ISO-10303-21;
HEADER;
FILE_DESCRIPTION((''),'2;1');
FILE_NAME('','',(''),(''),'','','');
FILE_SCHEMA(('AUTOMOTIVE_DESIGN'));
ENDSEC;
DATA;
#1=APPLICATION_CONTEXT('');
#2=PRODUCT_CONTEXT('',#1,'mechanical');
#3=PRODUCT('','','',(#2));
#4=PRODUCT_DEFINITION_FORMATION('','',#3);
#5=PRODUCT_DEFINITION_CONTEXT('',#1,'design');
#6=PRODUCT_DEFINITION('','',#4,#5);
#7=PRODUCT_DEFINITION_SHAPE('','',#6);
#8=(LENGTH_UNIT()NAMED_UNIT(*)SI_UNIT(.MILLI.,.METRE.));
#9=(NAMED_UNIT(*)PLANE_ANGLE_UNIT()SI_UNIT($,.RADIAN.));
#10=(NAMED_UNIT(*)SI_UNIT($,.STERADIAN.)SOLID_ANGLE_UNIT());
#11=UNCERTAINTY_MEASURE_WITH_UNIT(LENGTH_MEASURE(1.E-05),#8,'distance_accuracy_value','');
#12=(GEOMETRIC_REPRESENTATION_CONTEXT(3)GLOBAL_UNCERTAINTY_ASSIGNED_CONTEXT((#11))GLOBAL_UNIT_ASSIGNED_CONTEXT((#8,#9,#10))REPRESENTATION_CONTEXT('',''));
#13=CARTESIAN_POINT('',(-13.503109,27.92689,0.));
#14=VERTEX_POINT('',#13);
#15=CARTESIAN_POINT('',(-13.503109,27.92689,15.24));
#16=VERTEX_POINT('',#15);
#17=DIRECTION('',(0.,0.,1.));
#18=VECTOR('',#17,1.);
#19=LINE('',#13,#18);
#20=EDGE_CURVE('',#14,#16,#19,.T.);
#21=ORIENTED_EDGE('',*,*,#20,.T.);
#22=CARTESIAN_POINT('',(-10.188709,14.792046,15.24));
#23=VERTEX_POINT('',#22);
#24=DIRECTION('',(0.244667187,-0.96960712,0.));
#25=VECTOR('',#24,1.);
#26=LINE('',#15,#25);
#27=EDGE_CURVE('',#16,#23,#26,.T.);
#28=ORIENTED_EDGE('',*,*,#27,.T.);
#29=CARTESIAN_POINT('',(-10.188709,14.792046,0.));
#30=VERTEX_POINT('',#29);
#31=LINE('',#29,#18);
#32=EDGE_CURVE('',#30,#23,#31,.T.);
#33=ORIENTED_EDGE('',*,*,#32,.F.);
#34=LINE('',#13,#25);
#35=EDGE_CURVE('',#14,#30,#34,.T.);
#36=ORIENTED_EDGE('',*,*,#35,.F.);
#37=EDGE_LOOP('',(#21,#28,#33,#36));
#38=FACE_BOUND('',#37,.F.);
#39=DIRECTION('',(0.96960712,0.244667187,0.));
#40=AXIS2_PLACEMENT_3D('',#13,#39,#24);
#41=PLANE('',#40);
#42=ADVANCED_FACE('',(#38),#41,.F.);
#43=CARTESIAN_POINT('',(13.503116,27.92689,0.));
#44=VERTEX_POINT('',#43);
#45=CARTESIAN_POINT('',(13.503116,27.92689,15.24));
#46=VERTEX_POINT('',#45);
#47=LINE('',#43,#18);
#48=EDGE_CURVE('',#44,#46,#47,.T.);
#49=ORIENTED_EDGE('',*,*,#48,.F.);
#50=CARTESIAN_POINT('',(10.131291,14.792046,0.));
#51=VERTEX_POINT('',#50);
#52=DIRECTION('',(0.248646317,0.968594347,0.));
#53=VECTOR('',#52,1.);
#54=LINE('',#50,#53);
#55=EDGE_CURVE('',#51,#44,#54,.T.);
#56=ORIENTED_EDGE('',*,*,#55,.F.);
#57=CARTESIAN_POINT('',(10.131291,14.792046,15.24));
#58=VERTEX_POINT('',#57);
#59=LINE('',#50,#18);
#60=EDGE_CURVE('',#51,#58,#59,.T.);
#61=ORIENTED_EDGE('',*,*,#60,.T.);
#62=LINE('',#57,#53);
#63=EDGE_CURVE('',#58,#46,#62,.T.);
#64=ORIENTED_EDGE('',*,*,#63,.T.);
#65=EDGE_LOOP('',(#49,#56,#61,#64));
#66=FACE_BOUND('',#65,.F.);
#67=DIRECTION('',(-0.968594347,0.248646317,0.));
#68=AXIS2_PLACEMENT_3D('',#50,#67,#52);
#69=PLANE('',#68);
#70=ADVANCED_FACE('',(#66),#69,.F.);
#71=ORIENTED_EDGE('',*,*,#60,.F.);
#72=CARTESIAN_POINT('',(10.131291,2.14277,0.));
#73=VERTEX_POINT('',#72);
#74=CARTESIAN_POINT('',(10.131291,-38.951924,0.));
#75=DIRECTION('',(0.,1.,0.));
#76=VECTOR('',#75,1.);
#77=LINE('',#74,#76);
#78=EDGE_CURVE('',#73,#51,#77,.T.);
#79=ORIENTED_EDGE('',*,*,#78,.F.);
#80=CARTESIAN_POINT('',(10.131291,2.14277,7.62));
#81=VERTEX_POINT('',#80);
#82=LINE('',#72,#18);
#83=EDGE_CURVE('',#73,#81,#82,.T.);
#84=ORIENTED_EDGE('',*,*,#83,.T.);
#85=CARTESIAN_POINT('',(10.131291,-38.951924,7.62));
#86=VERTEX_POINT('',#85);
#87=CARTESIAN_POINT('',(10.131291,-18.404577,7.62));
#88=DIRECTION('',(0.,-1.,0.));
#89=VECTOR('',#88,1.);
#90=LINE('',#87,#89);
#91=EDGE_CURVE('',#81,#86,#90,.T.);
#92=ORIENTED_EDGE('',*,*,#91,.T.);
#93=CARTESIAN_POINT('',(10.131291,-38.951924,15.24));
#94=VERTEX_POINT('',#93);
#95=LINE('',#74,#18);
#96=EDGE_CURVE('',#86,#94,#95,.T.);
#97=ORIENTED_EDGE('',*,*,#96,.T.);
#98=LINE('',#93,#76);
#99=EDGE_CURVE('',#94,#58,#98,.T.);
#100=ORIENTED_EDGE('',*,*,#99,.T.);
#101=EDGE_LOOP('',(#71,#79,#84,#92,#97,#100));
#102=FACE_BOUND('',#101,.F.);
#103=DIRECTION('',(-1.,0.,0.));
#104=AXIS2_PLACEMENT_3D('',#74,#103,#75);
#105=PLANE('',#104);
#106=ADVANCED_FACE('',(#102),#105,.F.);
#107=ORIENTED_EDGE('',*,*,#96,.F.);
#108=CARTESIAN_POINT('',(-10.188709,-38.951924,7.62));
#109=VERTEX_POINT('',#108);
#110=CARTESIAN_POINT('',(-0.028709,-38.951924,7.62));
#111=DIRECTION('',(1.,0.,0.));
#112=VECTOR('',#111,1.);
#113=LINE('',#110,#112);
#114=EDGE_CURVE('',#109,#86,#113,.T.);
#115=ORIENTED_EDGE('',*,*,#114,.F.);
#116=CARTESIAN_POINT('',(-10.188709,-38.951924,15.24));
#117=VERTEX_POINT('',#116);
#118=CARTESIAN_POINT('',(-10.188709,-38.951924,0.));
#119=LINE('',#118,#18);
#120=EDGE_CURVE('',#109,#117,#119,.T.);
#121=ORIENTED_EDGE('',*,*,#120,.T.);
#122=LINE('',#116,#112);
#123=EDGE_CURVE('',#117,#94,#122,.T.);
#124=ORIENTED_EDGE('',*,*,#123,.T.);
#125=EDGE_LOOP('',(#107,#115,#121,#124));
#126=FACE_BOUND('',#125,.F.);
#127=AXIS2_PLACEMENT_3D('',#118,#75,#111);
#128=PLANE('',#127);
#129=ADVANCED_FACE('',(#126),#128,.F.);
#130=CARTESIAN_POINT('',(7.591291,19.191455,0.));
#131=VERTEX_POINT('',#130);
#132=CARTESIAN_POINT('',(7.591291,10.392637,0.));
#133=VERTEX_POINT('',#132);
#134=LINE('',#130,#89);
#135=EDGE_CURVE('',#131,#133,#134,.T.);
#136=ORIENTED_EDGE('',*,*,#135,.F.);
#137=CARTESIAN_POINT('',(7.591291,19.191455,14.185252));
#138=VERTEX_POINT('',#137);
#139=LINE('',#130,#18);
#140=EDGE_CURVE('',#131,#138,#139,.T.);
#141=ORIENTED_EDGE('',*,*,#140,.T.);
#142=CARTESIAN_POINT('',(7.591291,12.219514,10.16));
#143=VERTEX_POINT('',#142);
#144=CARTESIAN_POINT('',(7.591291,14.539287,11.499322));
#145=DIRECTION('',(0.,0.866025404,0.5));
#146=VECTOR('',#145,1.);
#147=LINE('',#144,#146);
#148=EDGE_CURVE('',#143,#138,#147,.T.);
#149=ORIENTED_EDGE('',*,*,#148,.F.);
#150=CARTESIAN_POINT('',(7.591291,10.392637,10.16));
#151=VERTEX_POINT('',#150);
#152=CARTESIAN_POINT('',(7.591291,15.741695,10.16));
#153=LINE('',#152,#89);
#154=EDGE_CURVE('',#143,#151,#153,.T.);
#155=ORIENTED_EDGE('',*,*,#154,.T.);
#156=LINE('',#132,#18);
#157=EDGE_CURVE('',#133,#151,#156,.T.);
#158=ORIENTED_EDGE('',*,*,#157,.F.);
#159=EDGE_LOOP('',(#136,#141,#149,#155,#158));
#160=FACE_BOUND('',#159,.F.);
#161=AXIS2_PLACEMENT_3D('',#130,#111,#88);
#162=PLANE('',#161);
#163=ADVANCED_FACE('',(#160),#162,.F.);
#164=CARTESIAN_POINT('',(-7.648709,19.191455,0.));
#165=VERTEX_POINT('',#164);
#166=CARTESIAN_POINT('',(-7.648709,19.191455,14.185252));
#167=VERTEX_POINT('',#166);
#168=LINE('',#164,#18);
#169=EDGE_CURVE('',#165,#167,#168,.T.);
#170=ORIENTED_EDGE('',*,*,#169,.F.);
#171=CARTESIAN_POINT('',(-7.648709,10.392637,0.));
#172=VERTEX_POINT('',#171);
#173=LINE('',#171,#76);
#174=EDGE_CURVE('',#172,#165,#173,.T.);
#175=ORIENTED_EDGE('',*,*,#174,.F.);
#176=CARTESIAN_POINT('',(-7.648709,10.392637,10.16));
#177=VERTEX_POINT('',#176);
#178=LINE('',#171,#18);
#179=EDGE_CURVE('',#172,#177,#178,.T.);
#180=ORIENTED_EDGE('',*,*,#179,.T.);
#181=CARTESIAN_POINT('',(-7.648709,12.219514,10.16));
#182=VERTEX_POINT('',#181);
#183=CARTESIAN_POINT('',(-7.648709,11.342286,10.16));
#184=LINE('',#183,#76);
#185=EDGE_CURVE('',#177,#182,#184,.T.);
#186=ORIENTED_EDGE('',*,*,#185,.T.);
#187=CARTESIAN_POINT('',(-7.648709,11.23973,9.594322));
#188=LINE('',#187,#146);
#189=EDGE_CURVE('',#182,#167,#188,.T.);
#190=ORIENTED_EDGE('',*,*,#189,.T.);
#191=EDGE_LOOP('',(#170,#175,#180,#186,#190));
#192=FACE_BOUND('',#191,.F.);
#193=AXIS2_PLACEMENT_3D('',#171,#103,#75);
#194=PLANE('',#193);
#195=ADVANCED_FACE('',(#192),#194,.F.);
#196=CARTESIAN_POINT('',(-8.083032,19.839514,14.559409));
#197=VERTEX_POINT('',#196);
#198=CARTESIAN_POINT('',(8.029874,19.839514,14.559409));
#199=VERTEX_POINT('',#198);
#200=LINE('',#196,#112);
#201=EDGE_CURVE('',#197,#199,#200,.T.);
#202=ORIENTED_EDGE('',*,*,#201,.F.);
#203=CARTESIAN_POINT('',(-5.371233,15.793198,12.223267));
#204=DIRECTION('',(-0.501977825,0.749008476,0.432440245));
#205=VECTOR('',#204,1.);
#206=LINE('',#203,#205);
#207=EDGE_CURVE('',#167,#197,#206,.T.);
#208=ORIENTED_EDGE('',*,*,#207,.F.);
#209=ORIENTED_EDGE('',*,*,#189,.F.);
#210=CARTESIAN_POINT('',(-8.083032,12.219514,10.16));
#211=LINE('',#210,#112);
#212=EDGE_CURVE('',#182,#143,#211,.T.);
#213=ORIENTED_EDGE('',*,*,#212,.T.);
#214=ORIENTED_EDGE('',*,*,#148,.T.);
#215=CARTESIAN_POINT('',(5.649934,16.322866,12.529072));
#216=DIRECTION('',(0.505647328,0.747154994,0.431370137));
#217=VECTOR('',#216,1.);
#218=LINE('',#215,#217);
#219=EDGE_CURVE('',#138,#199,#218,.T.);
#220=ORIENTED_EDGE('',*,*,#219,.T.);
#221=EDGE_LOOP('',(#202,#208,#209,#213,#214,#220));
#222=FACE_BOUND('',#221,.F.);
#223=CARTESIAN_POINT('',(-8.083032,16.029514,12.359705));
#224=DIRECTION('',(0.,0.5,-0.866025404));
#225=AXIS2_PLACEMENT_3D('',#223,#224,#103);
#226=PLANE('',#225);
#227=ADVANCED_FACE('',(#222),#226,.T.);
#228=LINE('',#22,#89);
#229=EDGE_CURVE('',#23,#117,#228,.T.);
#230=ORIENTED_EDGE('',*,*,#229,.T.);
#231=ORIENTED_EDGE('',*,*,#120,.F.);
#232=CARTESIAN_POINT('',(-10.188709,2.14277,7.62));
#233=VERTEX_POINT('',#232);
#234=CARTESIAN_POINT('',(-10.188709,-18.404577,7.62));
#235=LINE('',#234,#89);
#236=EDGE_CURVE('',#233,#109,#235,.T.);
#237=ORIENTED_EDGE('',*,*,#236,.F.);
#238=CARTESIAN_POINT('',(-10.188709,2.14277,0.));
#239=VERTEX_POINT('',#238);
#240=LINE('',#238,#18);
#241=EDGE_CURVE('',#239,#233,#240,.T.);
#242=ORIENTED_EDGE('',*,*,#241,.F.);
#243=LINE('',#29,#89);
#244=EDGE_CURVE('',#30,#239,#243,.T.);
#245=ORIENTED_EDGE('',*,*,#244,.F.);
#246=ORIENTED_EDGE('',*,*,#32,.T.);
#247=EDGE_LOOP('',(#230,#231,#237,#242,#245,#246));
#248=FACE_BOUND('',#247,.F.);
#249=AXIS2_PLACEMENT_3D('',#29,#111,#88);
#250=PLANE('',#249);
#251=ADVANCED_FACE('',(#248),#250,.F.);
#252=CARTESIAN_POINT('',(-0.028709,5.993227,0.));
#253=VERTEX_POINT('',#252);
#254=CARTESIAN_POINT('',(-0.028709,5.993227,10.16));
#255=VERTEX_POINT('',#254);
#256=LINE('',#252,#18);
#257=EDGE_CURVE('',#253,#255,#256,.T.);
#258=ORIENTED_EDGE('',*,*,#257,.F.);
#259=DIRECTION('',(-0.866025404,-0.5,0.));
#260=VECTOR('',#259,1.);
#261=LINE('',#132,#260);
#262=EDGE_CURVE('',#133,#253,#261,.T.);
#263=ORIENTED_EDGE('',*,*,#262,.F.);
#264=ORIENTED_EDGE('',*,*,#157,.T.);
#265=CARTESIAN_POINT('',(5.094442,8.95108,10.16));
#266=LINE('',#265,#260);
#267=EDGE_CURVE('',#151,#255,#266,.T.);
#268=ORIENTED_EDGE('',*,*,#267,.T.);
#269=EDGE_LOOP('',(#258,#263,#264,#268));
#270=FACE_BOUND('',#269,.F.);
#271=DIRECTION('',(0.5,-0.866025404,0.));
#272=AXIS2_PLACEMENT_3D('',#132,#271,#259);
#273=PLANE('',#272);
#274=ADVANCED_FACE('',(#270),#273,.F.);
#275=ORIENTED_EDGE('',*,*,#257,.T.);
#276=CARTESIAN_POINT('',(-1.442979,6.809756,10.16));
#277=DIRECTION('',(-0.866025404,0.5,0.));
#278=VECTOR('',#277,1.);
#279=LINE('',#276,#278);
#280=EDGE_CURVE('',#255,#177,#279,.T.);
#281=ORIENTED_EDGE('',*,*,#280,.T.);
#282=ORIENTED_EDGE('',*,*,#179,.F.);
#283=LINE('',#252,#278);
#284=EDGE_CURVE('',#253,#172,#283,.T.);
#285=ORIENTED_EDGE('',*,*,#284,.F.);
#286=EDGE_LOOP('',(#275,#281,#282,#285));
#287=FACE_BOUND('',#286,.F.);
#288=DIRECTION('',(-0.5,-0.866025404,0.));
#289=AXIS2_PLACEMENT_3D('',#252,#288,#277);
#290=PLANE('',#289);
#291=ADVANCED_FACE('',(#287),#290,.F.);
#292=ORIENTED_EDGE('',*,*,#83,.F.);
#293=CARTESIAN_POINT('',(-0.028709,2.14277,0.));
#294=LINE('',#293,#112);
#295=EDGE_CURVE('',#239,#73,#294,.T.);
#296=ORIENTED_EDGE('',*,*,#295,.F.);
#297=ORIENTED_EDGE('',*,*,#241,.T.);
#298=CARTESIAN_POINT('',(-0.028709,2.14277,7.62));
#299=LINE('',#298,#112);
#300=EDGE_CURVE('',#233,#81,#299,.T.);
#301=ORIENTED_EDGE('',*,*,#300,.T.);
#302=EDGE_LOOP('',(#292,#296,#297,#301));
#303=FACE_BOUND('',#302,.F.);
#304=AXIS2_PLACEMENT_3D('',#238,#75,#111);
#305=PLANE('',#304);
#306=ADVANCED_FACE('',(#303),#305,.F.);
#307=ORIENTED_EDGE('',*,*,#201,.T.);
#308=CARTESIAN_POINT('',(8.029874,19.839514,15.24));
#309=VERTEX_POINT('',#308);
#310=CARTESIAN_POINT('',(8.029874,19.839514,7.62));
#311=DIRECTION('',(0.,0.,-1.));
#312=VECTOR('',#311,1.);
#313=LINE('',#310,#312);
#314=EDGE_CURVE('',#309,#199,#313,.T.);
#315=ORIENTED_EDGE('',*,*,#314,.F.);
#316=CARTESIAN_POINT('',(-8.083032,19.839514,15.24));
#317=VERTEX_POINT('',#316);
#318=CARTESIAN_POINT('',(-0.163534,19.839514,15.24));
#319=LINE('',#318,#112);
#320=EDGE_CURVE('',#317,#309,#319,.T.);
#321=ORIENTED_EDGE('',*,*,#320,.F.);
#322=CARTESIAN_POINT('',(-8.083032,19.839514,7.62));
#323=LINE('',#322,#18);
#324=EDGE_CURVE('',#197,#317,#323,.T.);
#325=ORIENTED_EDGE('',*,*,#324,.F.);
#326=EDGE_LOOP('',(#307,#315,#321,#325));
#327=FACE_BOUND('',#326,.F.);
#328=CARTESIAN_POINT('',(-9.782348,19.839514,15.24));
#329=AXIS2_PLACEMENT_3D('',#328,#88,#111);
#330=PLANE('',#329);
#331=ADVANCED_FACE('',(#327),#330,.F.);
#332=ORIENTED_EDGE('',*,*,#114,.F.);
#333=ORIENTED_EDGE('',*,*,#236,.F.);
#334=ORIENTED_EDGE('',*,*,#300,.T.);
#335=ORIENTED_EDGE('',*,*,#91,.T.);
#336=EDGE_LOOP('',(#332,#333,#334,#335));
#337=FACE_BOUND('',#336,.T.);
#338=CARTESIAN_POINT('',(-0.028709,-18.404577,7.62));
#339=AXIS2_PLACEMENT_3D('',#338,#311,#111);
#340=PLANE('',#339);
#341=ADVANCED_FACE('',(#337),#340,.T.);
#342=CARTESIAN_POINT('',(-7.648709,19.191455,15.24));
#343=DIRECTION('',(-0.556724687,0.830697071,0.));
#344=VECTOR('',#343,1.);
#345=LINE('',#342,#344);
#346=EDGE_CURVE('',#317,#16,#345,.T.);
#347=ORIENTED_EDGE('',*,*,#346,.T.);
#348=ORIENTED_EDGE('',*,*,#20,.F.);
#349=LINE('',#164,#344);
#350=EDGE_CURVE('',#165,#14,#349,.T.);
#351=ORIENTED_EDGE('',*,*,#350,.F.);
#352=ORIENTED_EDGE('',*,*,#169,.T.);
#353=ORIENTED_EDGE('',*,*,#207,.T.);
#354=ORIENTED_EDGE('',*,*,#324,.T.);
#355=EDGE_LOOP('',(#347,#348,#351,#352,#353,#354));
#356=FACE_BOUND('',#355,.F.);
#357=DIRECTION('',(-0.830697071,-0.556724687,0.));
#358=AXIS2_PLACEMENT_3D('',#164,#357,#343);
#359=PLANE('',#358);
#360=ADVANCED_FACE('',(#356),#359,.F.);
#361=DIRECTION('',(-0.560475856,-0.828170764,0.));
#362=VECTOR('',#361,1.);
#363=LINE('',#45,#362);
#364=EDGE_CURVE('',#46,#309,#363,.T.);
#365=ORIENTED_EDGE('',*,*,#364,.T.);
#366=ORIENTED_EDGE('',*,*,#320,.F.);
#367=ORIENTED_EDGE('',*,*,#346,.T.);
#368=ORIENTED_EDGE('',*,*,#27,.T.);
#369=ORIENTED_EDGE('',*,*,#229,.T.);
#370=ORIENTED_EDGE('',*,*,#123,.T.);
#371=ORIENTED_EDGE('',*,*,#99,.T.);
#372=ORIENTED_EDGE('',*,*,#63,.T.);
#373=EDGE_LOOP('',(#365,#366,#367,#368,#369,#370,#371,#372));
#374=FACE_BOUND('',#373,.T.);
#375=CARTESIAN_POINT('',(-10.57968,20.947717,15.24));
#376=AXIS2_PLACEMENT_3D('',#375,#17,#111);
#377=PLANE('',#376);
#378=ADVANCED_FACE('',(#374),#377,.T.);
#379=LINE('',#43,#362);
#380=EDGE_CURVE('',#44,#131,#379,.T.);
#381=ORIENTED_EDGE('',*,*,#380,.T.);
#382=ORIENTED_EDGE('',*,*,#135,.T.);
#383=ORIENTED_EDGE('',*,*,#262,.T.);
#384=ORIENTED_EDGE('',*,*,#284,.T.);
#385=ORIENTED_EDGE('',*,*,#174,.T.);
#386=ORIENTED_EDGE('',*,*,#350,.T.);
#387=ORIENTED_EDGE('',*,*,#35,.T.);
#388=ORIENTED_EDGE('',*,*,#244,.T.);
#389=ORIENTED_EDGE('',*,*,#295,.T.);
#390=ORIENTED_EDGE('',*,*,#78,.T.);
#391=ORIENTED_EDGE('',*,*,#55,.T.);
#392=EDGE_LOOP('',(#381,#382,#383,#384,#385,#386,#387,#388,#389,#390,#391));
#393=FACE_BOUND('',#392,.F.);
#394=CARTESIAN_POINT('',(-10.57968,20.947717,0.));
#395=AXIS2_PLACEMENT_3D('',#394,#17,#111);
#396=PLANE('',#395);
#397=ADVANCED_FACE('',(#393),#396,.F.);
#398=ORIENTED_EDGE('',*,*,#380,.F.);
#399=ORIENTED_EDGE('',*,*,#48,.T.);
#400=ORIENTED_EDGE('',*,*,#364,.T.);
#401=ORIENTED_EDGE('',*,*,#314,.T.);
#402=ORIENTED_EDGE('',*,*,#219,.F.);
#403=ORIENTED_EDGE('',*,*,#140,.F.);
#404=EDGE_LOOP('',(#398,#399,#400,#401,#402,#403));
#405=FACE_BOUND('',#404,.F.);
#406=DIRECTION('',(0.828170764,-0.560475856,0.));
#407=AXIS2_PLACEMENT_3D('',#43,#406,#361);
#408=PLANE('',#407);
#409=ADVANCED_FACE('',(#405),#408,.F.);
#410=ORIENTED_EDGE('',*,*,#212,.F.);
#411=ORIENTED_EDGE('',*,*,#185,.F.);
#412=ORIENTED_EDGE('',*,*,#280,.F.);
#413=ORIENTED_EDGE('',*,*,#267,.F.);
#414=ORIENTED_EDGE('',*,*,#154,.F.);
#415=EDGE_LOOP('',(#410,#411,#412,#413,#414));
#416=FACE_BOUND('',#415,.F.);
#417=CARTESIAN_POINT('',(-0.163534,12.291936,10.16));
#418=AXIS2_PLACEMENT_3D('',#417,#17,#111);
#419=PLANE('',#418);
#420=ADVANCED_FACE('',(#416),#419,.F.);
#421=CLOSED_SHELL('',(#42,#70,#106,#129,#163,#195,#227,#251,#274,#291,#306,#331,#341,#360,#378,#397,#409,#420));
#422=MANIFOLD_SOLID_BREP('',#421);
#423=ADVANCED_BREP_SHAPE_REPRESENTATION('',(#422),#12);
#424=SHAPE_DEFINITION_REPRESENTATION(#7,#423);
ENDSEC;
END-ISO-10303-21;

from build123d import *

# Parameters (mm, degrees)
F1_DEPTH = 15.24
F2_W     = 19.2376272753
F2_H     = 15.0951566175
F3_DEPTH = 5.08
F4_SIZE2 = 4.3994090512
F4_SIZE  = 7.62
F5_W     = 20.32
F5_H     = 41.094693502
F6_DEPTH = 7.62


with BuildPart() as f1:
    # F0 (on Top) → F1 (new body)
    with BuildSketch(Plane.XY):
        Polygon((-13.5031091049, 27.9268901795), (-10.1887094788, 14.7920455784), (-7.6487094788, 14.7920455784), (-7.6487094788, 19.1914546296), align=None)
        Polygon((-7.6487094788, 14.7920455784), (-10.1887094788, 14.7920455784), (-10.1887094788, -38.9519235189), (10.1312905212, -38.9519235189), (10.1312905212, 14.7920455784), (7.5912905212, 14.7920455784), (7.5912905212, 10.3926365271), (-0.0287094788, 5.9932274759), (-7.6487094788, 10.3926365271), align=None)
        Polygon((7.5912905212, 14.7920455784), (10.1312905212, 14.7920455784), (13.5031156242, 27.9268901795), (7.5912905212, 19.1914546296), align=None)
    extrude(amount=F1_DEPTH)

    # F2 (on face) → F3 (join)
    with BuildSketch(Plane.XY.offset(15.24)):
        with Locations((-0.1635341905, 12.2919357382)):
            Rectangle(F2_W, F2_H)
    extrude(amount=-F3_DEPTH)

    # F4
    f4_edges = [f1.edges().sort_by_distance(p)[0] for p in [
        (-0.026579, 19.839514, 10.16),
    ]]
    f4_side = f1.faces().sort_by_distance((-0.028648, 13.956011, 10.16))[0]
    chamfer(f4_edges, length=F4_SIZE, length2=F4_SIZE2, reference=f4_side)

    # F5 (on face) → F6 (cut)
    with BuildSketch(Plane(origin=(0, 0, 0), x_dir=(1, 0, 0), z_dir=(0, 0, -1))):
        with Locations((-0.0287094788, 18.4045767679)):
            Rectangle(F5_W, F5_H)
    extrude(amount=-F6_DEPTH, mode=Mode.SUBTRACT)


solid = f1.part
